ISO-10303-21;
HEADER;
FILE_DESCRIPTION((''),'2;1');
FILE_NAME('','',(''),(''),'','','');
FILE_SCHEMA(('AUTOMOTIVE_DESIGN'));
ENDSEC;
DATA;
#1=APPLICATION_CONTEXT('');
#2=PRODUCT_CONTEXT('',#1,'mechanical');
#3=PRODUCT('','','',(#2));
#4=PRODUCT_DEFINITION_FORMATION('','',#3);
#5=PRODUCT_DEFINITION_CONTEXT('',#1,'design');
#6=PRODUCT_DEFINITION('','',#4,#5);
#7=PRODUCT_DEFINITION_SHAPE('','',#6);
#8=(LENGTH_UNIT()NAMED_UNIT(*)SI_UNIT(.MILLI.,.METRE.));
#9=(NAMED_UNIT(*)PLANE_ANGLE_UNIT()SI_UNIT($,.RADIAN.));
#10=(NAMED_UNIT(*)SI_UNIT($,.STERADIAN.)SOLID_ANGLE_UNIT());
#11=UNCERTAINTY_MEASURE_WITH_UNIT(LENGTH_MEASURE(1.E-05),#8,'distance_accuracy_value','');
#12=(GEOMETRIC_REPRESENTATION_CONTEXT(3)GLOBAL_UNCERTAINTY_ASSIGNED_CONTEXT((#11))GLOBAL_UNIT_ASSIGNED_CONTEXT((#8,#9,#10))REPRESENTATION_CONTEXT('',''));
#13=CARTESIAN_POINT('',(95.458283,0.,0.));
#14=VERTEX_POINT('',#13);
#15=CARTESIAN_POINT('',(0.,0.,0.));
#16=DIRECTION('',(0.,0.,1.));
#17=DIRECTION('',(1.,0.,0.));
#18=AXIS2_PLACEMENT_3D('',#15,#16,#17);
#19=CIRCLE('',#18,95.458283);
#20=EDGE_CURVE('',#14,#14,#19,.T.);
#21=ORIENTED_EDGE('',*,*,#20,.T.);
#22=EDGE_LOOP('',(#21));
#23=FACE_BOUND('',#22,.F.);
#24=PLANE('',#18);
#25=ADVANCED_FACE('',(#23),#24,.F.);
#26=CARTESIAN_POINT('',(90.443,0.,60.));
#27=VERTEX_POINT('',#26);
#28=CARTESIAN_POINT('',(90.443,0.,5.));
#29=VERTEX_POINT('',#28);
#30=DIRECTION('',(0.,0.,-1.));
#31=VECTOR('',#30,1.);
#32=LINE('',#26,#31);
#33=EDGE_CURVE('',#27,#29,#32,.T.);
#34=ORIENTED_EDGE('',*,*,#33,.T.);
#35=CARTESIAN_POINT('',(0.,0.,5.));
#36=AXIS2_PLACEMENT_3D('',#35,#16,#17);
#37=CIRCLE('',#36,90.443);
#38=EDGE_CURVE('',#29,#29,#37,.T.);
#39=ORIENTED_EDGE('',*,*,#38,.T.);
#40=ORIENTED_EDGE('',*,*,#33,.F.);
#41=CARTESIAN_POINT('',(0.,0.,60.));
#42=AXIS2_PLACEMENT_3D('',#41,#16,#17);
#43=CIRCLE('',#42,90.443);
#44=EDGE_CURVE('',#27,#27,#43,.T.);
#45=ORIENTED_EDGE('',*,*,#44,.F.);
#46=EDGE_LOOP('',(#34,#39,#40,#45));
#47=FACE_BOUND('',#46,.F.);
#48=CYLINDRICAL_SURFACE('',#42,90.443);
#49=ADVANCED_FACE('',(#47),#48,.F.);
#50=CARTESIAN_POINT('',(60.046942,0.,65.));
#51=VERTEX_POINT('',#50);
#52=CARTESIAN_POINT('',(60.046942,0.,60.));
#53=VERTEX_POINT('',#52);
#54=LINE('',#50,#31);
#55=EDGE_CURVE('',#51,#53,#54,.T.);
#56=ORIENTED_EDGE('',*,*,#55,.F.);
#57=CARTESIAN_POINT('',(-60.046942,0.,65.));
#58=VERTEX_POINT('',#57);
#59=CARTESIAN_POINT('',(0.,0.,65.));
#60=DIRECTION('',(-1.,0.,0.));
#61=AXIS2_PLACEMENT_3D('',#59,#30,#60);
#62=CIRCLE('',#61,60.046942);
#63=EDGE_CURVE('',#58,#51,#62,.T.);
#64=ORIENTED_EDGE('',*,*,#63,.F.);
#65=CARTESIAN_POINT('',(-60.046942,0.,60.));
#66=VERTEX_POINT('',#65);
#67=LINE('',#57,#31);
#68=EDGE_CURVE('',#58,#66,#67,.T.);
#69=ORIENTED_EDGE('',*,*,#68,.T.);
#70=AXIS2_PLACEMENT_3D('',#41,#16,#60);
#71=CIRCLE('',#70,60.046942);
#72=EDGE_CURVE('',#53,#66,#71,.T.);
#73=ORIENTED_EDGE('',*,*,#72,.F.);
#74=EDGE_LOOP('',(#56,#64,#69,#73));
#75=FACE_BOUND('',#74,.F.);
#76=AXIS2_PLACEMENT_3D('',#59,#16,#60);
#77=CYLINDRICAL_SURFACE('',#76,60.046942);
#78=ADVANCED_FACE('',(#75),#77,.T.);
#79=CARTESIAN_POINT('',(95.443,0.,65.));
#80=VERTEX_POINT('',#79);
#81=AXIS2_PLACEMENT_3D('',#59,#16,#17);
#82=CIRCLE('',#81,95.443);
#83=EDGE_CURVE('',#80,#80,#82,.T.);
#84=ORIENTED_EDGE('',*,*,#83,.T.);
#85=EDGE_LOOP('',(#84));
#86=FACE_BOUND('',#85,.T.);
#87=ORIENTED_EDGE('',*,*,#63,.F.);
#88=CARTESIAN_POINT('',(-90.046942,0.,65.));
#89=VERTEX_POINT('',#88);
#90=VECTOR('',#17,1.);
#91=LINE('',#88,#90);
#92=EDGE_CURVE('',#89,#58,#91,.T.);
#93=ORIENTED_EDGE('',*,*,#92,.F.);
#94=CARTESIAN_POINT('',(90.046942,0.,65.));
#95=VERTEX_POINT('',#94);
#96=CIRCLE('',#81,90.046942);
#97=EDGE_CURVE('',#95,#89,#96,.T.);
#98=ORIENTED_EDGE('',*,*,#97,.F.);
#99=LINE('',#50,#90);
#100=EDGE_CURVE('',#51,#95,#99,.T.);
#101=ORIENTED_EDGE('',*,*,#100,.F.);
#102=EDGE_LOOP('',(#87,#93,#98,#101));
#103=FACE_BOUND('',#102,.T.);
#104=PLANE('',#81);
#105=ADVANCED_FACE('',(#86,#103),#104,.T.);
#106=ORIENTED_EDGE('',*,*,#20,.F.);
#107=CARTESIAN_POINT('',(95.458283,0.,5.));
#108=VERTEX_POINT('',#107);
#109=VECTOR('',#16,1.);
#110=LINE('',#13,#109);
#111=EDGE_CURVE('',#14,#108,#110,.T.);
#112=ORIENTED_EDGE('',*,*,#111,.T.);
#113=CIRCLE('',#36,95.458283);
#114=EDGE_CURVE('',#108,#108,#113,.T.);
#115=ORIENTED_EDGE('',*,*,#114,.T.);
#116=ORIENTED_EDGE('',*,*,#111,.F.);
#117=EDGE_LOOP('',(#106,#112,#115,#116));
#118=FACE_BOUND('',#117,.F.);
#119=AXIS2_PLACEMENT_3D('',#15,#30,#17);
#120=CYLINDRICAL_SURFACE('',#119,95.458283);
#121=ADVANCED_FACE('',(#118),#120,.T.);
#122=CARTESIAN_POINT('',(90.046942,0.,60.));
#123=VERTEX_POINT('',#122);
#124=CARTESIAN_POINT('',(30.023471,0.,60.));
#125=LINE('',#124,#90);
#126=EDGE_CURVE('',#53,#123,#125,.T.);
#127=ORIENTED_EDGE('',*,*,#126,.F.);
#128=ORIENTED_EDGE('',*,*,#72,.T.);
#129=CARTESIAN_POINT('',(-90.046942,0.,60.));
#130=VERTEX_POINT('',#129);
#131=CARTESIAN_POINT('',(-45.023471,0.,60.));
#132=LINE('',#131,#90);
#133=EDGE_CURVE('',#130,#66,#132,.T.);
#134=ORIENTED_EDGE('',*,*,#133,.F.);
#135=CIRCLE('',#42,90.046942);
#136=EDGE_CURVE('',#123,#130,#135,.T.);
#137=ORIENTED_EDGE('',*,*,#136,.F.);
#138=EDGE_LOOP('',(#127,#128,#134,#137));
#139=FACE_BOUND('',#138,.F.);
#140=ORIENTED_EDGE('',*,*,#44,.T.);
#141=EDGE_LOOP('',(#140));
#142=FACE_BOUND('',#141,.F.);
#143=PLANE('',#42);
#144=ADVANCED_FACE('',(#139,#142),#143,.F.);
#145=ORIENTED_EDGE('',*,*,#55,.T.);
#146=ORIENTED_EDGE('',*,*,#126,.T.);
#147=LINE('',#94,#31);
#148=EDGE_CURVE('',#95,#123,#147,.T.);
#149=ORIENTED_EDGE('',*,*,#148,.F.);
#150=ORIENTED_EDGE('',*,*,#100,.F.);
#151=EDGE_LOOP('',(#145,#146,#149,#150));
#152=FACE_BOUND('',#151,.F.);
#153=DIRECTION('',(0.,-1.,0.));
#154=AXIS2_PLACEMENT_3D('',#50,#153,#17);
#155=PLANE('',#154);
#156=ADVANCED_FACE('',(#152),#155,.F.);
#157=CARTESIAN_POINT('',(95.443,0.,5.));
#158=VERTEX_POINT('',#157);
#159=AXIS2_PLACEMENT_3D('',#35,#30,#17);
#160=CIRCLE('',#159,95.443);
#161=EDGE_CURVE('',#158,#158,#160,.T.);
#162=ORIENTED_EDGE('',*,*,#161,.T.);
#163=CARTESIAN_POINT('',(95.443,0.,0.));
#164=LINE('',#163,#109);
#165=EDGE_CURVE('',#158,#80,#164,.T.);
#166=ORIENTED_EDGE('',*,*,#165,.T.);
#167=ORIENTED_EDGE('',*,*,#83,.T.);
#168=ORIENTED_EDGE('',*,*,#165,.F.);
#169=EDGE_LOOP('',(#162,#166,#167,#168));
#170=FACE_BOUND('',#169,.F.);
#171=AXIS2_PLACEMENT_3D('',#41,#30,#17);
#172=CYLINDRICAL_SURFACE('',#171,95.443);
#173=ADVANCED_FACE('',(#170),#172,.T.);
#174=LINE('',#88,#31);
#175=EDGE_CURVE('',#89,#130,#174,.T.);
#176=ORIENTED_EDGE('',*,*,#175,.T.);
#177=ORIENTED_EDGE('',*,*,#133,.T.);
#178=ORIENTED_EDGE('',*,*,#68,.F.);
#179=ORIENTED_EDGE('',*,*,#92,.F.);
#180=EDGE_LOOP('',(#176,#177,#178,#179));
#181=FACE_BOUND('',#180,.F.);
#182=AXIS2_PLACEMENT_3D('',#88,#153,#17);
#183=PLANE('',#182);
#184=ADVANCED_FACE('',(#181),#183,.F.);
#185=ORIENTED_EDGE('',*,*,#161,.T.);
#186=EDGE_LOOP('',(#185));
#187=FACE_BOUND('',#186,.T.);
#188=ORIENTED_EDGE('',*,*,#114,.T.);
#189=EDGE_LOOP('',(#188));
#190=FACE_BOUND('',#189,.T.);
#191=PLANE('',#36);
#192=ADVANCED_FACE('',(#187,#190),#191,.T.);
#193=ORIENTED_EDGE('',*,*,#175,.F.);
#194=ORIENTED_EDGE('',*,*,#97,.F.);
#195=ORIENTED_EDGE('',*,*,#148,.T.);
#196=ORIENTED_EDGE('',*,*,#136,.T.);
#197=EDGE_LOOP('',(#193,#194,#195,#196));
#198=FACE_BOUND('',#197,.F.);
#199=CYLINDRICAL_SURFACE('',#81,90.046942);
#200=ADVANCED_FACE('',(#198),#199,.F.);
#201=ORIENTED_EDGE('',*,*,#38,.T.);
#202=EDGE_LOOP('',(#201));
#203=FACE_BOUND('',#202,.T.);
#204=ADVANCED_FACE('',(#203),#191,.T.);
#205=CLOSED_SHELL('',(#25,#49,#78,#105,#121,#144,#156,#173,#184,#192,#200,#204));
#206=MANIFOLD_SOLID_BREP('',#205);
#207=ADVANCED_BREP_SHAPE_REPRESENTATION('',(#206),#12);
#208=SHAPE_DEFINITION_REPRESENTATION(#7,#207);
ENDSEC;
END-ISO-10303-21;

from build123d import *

# Parameters (mm, degrees)
F0_R      = 95.443
F1_DEPTH  = 60
F3_R      = 90.443
F4_DEPTH  = 147
F5_R      = 95.443
F6_DEPTH  = 5
F7_R      = 95.458283
F8_DEPTH  = 5
F11_DEPTH = 25


with BuildPart() as f1:
    # F0 (on Top) → F1 (new body)
    with BuildSketch(Plane.XY):
        Circle(F0_R)
    extrude(amount=F1_DEPTH)

    # F3 (on offset) → F4 (cut)
    with BuildSketch(Plane.XY.offset(60)):
        Circle(F3_R)
    extrude(amount=-F4_DEPTH, mode=Mode.SUBTRACT)

    # F5 (on offset) → F6 (join)
    with BuildSketch(Plane.XY.offset(60)):
        Circle(F5_R)
    extrude(amount=F6_DEPTH)

    # F7 (on Top) → F8 (join)
    with BuildSketch(Plane.XY):
        Circle(F7_R)
    extrude(amount=F8_DEPTH)

    # F10 (on offset) → F11 (cut)
    with BuildSketch(Plane.XY.offset(65)):
        with BuildLine():
            ThreePointArc((90.046942, 0), (0, 90.046942), (-90.046942, 0))
            Line((-90.046942, 0), (-60.046942, 0))
            ThreePointArc((-60.046942, 0), (0, 60.046942), (60.046942, 0))
            Line((60.046942, 0), (90.046942, 0))
        make_face()
    extrude(amount=-F11_DEPTH, mode=Mode.SUBTRACT)


solid = f1.part
